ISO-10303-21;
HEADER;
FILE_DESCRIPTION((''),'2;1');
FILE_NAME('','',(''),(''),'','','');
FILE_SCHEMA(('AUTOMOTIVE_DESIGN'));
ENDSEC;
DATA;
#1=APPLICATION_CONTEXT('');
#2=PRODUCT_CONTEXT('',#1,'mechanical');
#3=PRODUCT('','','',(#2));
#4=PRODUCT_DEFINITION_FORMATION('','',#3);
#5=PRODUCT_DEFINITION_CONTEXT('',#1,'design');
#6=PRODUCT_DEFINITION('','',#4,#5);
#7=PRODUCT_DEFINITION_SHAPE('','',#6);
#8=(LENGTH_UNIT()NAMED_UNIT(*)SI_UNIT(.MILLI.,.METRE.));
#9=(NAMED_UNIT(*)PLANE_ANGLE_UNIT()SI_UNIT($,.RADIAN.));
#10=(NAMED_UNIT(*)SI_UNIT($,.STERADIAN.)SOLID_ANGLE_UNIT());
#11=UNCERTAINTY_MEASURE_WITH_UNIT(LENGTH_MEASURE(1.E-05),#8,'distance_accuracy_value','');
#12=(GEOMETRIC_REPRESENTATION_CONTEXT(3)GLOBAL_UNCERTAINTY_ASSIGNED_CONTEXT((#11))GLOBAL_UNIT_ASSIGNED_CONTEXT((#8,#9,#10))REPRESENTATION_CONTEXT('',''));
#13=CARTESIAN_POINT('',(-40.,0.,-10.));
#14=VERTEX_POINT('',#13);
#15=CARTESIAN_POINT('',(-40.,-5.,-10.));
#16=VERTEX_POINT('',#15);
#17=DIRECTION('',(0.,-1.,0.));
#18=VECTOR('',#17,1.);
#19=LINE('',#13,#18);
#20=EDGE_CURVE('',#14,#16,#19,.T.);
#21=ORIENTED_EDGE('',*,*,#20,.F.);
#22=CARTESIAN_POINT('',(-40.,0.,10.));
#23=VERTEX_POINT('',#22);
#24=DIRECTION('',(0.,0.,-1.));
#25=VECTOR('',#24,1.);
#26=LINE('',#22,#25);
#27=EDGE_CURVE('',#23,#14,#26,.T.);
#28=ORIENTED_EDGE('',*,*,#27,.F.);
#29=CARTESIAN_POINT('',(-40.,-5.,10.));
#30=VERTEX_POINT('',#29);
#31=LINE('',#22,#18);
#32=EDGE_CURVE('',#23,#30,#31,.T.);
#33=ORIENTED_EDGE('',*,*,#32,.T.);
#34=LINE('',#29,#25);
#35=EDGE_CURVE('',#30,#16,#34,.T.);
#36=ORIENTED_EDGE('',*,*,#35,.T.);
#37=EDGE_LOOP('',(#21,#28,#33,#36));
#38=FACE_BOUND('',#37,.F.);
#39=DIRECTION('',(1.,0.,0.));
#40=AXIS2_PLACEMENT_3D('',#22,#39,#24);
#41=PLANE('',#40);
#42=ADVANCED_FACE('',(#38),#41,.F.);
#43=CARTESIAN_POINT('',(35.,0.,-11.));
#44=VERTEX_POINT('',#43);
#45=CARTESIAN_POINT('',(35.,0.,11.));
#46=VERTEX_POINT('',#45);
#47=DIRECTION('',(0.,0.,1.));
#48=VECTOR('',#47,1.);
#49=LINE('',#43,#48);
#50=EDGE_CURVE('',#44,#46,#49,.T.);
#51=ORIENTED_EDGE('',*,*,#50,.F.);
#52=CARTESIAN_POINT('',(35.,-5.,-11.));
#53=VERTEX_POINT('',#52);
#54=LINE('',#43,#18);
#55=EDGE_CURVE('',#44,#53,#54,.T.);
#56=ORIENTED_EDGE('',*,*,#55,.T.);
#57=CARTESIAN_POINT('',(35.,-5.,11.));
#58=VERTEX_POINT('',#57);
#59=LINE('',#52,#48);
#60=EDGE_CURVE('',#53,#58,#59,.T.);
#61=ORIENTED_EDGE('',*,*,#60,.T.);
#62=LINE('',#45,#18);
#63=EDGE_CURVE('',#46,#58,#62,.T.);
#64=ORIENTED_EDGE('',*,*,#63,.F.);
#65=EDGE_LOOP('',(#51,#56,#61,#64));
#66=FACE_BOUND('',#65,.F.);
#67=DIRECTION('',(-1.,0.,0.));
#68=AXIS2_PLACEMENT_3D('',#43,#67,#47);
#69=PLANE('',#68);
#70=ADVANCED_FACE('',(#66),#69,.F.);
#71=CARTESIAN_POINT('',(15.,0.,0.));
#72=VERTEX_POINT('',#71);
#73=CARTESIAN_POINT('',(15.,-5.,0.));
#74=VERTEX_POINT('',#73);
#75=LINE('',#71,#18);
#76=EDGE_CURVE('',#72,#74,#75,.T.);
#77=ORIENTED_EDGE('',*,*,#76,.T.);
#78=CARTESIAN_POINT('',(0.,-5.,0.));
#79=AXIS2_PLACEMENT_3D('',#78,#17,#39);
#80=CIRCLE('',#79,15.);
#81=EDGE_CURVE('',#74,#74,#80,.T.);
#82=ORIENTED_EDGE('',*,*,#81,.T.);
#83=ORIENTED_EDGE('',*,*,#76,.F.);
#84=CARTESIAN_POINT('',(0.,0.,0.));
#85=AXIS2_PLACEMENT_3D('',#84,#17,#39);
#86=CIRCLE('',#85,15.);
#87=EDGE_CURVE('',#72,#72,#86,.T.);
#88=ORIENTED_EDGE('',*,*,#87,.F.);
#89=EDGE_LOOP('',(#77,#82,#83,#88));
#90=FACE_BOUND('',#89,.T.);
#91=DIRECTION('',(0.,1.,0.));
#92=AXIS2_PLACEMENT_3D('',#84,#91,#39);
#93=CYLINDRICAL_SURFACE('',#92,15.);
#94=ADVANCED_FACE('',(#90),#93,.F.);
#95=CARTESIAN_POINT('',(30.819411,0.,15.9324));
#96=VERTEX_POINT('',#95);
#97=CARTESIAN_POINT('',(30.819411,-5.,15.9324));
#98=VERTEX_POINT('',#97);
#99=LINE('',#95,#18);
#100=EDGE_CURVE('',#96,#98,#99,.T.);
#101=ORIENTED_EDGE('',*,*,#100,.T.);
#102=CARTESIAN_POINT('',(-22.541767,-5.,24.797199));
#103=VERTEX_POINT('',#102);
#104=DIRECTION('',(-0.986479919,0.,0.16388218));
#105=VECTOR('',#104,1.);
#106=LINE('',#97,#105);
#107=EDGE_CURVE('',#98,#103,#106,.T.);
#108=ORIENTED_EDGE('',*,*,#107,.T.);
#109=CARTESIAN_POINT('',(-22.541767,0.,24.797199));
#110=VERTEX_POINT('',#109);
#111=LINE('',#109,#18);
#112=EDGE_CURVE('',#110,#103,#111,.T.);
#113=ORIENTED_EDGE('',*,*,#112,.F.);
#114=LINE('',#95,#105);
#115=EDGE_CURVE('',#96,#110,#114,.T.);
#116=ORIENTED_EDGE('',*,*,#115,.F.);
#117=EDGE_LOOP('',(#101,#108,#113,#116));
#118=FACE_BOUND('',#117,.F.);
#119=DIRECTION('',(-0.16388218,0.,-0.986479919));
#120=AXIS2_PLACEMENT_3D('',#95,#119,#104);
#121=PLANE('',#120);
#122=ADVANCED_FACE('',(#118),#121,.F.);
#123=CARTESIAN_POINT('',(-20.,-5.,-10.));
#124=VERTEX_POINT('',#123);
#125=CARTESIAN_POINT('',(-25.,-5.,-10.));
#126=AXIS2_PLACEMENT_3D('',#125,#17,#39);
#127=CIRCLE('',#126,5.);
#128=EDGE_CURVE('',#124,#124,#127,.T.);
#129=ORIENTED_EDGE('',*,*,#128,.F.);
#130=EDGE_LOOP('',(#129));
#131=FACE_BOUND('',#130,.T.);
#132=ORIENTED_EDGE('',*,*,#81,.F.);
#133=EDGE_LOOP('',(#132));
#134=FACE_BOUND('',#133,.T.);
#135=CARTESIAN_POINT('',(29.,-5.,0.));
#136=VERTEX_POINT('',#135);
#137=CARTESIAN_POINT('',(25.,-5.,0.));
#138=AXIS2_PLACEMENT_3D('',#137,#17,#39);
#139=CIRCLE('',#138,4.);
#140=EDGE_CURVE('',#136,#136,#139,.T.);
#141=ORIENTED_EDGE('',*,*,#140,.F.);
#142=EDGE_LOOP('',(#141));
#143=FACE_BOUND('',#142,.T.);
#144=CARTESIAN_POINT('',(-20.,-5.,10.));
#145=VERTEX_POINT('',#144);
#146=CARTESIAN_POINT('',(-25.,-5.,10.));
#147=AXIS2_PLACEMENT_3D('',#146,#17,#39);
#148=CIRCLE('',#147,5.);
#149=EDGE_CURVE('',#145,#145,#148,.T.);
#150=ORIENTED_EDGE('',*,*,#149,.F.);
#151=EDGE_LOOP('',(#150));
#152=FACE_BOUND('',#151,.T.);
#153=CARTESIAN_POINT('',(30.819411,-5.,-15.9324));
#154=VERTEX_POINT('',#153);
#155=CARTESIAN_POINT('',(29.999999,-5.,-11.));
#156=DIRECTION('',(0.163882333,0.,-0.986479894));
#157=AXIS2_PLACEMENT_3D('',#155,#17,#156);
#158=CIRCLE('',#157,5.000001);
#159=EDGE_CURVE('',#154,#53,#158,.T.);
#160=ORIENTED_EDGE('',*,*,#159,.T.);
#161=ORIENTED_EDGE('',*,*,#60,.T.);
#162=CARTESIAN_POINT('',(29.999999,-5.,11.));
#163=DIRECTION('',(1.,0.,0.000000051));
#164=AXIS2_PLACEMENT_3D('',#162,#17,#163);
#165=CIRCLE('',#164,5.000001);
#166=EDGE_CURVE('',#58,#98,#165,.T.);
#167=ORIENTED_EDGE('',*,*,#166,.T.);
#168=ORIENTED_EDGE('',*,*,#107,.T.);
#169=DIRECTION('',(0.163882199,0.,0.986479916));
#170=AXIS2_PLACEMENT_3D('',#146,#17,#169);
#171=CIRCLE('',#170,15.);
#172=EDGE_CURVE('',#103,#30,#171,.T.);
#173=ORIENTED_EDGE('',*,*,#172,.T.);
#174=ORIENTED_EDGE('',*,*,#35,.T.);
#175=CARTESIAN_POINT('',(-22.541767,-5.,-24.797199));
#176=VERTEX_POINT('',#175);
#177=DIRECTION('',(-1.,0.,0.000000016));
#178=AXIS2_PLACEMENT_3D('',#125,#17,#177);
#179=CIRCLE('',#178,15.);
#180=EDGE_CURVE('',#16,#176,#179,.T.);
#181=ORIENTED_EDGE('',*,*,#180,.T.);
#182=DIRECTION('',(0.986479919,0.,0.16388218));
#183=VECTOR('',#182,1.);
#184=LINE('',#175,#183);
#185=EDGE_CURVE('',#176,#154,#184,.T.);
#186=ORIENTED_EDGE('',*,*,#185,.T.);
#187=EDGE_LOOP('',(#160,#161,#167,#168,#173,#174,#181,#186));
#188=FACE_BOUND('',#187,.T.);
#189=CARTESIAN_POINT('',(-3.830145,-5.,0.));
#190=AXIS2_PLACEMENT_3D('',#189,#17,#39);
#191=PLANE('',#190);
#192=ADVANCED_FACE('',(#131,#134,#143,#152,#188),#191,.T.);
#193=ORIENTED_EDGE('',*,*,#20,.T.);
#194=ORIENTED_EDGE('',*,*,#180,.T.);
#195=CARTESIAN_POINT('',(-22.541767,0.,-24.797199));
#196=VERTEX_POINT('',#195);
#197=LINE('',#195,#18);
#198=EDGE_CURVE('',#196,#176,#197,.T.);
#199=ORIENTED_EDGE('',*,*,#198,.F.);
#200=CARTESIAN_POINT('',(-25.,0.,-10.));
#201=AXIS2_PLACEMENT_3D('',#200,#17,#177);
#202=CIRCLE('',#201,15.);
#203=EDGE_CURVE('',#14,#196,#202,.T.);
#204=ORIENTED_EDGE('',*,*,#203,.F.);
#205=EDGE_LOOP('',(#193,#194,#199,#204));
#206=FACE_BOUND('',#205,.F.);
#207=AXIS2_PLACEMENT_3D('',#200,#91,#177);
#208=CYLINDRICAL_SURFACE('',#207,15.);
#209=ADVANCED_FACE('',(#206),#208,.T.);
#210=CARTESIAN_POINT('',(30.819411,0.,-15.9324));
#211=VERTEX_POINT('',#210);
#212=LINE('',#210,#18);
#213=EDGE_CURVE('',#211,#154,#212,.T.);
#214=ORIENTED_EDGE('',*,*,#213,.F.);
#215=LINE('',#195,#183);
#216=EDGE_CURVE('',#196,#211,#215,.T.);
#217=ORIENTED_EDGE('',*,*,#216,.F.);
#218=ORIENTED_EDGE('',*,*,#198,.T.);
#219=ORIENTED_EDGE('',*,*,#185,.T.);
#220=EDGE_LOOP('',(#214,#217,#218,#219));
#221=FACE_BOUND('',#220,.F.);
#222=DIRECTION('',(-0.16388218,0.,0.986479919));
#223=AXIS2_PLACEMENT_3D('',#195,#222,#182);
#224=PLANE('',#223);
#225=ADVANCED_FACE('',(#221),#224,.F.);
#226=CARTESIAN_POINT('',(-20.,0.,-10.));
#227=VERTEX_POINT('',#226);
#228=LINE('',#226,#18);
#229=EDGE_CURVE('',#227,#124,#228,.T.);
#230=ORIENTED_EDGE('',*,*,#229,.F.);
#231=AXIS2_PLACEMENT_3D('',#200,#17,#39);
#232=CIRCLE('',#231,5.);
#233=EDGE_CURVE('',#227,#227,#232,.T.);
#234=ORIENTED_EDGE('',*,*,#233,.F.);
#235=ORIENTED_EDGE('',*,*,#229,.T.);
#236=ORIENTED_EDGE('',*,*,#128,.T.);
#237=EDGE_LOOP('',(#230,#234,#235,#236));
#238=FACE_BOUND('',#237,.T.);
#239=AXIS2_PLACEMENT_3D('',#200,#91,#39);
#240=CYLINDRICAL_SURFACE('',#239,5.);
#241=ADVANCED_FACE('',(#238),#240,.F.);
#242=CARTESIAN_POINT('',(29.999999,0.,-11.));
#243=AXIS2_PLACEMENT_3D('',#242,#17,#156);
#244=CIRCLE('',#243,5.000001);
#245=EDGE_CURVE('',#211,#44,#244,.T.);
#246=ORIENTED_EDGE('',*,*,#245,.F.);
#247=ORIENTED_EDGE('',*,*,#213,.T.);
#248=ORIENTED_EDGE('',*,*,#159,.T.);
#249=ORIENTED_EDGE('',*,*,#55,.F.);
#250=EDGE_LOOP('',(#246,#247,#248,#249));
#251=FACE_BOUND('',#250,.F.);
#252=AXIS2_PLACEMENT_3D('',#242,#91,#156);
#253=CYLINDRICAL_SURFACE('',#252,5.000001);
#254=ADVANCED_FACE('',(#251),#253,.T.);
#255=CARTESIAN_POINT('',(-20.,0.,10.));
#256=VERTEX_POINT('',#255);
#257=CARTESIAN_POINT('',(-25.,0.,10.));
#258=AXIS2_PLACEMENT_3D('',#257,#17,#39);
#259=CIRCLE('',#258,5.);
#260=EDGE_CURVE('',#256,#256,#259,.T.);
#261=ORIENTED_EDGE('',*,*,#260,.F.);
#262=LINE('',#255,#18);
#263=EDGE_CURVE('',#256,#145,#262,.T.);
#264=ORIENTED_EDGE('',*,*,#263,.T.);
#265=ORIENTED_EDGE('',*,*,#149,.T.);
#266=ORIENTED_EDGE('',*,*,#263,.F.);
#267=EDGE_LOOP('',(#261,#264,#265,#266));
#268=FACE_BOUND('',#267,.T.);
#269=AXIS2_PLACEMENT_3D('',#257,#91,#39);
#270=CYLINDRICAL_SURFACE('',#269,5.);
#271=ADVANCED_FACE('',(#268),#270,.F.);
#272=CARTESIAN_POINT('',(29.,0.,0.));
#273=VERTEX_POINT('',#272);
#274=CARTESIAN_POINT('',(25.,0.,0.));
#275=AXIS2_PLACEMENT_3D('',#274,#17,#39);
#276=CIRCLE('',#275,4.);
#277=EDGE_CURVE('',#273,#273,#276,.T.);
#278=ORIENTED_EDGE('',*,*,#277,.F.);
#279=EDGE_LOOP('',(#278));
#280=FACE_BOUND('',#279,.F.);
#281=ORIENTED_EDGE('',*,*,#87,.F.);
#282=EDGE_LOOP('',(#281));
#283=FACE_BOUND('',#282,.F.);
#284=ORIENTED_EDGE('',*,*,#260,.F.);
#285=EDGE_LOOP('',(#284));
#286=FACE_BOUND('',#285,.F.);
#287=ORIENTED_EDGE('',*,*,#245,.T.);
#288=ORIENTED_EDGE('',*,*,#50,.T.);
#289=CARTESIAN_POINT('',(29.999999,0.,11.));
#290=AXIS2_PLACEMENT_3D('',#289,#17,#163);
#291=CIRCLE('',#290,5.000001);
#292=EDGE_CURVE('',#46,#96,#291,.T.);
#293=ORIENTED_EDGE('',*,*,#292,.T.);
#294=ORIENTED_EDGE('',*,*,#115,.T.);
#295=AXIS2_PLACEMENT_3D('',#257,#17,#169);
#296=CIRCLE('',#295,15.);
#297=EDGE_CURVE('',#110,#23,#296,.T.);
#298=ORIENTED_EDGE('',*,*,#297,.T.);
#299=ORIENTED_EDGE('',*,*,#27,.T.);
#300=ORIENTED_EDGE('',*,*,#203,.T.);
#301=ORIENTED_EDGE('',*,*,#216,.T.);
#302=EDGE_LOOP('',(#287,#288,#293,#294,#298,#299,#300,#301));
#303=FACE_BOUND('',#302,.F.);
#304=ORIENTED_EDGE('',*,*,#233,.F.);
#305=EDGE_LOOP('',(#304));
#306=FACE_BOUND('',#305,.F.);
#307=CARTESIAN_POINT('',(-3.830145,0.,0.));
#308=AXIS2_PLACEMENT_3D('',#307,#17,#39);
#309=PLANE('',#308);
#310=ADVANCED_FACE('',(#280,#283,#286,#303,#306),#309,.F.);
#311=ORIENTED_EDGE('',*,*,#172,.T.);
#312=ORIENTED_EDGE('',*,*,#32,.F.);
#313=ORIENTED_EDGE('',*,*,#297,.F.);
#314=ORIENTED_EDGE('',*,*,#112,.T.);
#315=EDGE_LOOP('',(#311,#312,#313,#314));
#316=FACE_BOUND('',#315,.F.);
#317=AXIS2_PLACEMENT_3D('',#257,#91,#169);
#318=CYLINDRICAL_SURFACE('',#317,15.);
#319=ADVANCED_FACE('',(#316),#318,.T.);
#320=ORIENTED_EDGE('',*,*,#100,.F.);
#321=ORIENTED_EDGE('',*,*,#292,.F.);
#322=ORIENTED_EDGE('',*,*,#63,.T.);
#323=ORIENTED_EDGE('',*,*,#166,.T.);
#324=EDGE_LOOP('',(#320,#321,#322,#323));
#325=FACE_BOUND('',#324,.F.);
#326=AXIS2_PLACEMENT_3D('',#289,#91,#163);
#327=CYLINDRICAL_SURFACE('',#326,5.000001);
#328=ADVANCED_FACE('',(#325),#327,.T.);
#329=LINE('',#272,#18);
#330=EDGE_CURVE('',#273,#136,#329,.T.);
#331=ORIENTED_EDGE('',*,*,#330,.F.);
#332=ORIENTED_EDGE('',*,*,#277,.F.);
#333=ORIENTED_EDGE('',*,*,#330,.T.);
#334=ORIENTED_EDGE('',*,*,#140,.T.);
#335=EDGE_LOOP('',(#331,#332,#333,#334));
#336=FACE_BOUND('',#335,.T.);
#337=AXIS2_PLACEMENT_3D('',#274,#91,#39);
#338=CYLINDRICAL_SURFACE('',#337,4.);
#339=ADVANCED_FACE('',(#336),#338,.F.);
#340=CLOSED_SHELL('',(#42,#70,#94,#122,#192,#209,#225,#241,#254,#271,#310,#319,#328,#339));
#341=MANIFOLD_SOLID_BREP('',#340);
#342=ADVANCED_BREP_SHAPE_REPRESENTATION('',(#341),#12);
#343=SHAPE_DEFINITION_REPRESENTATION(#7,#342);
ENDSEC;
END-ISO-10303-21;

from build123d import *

# Parameters (mm, degrees)
F0_R     = 5
F0_R_2   = 15
F0_R_3   = 4
F1_DEPTH = 5


with BuildPart() as f1:
    # F0 (on Front) → F1 (new body)
    with BuildSketch(Plane.XZ):
        with BuildLine():
            Line((30.819411, 15.9324), (-22.541767, 24.797199))
            ThreePointArc((-22.541767, 24.797199), (-34.698621, 21.44276), (-40, 10))
            Line((-40, 10), (-40, -10))
            ThreePointArc((-40, -10), (-34.698621, -21.44276), (-22.541767, -24.797199))
            Line((-22.541767, -24.797199), (30.819411, -15.9324))
            ThreePointArc((30.819411, -15.9324), (33.814253, -14.232874), (35, -11))
            Line((35, -11), (35, 11))
            ThreePointArc((35, 11), (33.814253, 14.232874), (30.819411, 15.9324))
        make_face()
        with Locations((-25, -10)):
            Circle(F0_R, mode=Mode.SUBTRACT)
        Circle(F0_R_2, mode=Mode.SUBTRACT)
        with Locations((25, 0)):
            Circle(F0_R_3, mode=Mode.SUBTRACT)
        with Locations((-25, 10)):
            Circle(F0_R, mode=Mode.SUBTRACT)
    extrude(amount=F1_DEPTH)


solid = f1.part
